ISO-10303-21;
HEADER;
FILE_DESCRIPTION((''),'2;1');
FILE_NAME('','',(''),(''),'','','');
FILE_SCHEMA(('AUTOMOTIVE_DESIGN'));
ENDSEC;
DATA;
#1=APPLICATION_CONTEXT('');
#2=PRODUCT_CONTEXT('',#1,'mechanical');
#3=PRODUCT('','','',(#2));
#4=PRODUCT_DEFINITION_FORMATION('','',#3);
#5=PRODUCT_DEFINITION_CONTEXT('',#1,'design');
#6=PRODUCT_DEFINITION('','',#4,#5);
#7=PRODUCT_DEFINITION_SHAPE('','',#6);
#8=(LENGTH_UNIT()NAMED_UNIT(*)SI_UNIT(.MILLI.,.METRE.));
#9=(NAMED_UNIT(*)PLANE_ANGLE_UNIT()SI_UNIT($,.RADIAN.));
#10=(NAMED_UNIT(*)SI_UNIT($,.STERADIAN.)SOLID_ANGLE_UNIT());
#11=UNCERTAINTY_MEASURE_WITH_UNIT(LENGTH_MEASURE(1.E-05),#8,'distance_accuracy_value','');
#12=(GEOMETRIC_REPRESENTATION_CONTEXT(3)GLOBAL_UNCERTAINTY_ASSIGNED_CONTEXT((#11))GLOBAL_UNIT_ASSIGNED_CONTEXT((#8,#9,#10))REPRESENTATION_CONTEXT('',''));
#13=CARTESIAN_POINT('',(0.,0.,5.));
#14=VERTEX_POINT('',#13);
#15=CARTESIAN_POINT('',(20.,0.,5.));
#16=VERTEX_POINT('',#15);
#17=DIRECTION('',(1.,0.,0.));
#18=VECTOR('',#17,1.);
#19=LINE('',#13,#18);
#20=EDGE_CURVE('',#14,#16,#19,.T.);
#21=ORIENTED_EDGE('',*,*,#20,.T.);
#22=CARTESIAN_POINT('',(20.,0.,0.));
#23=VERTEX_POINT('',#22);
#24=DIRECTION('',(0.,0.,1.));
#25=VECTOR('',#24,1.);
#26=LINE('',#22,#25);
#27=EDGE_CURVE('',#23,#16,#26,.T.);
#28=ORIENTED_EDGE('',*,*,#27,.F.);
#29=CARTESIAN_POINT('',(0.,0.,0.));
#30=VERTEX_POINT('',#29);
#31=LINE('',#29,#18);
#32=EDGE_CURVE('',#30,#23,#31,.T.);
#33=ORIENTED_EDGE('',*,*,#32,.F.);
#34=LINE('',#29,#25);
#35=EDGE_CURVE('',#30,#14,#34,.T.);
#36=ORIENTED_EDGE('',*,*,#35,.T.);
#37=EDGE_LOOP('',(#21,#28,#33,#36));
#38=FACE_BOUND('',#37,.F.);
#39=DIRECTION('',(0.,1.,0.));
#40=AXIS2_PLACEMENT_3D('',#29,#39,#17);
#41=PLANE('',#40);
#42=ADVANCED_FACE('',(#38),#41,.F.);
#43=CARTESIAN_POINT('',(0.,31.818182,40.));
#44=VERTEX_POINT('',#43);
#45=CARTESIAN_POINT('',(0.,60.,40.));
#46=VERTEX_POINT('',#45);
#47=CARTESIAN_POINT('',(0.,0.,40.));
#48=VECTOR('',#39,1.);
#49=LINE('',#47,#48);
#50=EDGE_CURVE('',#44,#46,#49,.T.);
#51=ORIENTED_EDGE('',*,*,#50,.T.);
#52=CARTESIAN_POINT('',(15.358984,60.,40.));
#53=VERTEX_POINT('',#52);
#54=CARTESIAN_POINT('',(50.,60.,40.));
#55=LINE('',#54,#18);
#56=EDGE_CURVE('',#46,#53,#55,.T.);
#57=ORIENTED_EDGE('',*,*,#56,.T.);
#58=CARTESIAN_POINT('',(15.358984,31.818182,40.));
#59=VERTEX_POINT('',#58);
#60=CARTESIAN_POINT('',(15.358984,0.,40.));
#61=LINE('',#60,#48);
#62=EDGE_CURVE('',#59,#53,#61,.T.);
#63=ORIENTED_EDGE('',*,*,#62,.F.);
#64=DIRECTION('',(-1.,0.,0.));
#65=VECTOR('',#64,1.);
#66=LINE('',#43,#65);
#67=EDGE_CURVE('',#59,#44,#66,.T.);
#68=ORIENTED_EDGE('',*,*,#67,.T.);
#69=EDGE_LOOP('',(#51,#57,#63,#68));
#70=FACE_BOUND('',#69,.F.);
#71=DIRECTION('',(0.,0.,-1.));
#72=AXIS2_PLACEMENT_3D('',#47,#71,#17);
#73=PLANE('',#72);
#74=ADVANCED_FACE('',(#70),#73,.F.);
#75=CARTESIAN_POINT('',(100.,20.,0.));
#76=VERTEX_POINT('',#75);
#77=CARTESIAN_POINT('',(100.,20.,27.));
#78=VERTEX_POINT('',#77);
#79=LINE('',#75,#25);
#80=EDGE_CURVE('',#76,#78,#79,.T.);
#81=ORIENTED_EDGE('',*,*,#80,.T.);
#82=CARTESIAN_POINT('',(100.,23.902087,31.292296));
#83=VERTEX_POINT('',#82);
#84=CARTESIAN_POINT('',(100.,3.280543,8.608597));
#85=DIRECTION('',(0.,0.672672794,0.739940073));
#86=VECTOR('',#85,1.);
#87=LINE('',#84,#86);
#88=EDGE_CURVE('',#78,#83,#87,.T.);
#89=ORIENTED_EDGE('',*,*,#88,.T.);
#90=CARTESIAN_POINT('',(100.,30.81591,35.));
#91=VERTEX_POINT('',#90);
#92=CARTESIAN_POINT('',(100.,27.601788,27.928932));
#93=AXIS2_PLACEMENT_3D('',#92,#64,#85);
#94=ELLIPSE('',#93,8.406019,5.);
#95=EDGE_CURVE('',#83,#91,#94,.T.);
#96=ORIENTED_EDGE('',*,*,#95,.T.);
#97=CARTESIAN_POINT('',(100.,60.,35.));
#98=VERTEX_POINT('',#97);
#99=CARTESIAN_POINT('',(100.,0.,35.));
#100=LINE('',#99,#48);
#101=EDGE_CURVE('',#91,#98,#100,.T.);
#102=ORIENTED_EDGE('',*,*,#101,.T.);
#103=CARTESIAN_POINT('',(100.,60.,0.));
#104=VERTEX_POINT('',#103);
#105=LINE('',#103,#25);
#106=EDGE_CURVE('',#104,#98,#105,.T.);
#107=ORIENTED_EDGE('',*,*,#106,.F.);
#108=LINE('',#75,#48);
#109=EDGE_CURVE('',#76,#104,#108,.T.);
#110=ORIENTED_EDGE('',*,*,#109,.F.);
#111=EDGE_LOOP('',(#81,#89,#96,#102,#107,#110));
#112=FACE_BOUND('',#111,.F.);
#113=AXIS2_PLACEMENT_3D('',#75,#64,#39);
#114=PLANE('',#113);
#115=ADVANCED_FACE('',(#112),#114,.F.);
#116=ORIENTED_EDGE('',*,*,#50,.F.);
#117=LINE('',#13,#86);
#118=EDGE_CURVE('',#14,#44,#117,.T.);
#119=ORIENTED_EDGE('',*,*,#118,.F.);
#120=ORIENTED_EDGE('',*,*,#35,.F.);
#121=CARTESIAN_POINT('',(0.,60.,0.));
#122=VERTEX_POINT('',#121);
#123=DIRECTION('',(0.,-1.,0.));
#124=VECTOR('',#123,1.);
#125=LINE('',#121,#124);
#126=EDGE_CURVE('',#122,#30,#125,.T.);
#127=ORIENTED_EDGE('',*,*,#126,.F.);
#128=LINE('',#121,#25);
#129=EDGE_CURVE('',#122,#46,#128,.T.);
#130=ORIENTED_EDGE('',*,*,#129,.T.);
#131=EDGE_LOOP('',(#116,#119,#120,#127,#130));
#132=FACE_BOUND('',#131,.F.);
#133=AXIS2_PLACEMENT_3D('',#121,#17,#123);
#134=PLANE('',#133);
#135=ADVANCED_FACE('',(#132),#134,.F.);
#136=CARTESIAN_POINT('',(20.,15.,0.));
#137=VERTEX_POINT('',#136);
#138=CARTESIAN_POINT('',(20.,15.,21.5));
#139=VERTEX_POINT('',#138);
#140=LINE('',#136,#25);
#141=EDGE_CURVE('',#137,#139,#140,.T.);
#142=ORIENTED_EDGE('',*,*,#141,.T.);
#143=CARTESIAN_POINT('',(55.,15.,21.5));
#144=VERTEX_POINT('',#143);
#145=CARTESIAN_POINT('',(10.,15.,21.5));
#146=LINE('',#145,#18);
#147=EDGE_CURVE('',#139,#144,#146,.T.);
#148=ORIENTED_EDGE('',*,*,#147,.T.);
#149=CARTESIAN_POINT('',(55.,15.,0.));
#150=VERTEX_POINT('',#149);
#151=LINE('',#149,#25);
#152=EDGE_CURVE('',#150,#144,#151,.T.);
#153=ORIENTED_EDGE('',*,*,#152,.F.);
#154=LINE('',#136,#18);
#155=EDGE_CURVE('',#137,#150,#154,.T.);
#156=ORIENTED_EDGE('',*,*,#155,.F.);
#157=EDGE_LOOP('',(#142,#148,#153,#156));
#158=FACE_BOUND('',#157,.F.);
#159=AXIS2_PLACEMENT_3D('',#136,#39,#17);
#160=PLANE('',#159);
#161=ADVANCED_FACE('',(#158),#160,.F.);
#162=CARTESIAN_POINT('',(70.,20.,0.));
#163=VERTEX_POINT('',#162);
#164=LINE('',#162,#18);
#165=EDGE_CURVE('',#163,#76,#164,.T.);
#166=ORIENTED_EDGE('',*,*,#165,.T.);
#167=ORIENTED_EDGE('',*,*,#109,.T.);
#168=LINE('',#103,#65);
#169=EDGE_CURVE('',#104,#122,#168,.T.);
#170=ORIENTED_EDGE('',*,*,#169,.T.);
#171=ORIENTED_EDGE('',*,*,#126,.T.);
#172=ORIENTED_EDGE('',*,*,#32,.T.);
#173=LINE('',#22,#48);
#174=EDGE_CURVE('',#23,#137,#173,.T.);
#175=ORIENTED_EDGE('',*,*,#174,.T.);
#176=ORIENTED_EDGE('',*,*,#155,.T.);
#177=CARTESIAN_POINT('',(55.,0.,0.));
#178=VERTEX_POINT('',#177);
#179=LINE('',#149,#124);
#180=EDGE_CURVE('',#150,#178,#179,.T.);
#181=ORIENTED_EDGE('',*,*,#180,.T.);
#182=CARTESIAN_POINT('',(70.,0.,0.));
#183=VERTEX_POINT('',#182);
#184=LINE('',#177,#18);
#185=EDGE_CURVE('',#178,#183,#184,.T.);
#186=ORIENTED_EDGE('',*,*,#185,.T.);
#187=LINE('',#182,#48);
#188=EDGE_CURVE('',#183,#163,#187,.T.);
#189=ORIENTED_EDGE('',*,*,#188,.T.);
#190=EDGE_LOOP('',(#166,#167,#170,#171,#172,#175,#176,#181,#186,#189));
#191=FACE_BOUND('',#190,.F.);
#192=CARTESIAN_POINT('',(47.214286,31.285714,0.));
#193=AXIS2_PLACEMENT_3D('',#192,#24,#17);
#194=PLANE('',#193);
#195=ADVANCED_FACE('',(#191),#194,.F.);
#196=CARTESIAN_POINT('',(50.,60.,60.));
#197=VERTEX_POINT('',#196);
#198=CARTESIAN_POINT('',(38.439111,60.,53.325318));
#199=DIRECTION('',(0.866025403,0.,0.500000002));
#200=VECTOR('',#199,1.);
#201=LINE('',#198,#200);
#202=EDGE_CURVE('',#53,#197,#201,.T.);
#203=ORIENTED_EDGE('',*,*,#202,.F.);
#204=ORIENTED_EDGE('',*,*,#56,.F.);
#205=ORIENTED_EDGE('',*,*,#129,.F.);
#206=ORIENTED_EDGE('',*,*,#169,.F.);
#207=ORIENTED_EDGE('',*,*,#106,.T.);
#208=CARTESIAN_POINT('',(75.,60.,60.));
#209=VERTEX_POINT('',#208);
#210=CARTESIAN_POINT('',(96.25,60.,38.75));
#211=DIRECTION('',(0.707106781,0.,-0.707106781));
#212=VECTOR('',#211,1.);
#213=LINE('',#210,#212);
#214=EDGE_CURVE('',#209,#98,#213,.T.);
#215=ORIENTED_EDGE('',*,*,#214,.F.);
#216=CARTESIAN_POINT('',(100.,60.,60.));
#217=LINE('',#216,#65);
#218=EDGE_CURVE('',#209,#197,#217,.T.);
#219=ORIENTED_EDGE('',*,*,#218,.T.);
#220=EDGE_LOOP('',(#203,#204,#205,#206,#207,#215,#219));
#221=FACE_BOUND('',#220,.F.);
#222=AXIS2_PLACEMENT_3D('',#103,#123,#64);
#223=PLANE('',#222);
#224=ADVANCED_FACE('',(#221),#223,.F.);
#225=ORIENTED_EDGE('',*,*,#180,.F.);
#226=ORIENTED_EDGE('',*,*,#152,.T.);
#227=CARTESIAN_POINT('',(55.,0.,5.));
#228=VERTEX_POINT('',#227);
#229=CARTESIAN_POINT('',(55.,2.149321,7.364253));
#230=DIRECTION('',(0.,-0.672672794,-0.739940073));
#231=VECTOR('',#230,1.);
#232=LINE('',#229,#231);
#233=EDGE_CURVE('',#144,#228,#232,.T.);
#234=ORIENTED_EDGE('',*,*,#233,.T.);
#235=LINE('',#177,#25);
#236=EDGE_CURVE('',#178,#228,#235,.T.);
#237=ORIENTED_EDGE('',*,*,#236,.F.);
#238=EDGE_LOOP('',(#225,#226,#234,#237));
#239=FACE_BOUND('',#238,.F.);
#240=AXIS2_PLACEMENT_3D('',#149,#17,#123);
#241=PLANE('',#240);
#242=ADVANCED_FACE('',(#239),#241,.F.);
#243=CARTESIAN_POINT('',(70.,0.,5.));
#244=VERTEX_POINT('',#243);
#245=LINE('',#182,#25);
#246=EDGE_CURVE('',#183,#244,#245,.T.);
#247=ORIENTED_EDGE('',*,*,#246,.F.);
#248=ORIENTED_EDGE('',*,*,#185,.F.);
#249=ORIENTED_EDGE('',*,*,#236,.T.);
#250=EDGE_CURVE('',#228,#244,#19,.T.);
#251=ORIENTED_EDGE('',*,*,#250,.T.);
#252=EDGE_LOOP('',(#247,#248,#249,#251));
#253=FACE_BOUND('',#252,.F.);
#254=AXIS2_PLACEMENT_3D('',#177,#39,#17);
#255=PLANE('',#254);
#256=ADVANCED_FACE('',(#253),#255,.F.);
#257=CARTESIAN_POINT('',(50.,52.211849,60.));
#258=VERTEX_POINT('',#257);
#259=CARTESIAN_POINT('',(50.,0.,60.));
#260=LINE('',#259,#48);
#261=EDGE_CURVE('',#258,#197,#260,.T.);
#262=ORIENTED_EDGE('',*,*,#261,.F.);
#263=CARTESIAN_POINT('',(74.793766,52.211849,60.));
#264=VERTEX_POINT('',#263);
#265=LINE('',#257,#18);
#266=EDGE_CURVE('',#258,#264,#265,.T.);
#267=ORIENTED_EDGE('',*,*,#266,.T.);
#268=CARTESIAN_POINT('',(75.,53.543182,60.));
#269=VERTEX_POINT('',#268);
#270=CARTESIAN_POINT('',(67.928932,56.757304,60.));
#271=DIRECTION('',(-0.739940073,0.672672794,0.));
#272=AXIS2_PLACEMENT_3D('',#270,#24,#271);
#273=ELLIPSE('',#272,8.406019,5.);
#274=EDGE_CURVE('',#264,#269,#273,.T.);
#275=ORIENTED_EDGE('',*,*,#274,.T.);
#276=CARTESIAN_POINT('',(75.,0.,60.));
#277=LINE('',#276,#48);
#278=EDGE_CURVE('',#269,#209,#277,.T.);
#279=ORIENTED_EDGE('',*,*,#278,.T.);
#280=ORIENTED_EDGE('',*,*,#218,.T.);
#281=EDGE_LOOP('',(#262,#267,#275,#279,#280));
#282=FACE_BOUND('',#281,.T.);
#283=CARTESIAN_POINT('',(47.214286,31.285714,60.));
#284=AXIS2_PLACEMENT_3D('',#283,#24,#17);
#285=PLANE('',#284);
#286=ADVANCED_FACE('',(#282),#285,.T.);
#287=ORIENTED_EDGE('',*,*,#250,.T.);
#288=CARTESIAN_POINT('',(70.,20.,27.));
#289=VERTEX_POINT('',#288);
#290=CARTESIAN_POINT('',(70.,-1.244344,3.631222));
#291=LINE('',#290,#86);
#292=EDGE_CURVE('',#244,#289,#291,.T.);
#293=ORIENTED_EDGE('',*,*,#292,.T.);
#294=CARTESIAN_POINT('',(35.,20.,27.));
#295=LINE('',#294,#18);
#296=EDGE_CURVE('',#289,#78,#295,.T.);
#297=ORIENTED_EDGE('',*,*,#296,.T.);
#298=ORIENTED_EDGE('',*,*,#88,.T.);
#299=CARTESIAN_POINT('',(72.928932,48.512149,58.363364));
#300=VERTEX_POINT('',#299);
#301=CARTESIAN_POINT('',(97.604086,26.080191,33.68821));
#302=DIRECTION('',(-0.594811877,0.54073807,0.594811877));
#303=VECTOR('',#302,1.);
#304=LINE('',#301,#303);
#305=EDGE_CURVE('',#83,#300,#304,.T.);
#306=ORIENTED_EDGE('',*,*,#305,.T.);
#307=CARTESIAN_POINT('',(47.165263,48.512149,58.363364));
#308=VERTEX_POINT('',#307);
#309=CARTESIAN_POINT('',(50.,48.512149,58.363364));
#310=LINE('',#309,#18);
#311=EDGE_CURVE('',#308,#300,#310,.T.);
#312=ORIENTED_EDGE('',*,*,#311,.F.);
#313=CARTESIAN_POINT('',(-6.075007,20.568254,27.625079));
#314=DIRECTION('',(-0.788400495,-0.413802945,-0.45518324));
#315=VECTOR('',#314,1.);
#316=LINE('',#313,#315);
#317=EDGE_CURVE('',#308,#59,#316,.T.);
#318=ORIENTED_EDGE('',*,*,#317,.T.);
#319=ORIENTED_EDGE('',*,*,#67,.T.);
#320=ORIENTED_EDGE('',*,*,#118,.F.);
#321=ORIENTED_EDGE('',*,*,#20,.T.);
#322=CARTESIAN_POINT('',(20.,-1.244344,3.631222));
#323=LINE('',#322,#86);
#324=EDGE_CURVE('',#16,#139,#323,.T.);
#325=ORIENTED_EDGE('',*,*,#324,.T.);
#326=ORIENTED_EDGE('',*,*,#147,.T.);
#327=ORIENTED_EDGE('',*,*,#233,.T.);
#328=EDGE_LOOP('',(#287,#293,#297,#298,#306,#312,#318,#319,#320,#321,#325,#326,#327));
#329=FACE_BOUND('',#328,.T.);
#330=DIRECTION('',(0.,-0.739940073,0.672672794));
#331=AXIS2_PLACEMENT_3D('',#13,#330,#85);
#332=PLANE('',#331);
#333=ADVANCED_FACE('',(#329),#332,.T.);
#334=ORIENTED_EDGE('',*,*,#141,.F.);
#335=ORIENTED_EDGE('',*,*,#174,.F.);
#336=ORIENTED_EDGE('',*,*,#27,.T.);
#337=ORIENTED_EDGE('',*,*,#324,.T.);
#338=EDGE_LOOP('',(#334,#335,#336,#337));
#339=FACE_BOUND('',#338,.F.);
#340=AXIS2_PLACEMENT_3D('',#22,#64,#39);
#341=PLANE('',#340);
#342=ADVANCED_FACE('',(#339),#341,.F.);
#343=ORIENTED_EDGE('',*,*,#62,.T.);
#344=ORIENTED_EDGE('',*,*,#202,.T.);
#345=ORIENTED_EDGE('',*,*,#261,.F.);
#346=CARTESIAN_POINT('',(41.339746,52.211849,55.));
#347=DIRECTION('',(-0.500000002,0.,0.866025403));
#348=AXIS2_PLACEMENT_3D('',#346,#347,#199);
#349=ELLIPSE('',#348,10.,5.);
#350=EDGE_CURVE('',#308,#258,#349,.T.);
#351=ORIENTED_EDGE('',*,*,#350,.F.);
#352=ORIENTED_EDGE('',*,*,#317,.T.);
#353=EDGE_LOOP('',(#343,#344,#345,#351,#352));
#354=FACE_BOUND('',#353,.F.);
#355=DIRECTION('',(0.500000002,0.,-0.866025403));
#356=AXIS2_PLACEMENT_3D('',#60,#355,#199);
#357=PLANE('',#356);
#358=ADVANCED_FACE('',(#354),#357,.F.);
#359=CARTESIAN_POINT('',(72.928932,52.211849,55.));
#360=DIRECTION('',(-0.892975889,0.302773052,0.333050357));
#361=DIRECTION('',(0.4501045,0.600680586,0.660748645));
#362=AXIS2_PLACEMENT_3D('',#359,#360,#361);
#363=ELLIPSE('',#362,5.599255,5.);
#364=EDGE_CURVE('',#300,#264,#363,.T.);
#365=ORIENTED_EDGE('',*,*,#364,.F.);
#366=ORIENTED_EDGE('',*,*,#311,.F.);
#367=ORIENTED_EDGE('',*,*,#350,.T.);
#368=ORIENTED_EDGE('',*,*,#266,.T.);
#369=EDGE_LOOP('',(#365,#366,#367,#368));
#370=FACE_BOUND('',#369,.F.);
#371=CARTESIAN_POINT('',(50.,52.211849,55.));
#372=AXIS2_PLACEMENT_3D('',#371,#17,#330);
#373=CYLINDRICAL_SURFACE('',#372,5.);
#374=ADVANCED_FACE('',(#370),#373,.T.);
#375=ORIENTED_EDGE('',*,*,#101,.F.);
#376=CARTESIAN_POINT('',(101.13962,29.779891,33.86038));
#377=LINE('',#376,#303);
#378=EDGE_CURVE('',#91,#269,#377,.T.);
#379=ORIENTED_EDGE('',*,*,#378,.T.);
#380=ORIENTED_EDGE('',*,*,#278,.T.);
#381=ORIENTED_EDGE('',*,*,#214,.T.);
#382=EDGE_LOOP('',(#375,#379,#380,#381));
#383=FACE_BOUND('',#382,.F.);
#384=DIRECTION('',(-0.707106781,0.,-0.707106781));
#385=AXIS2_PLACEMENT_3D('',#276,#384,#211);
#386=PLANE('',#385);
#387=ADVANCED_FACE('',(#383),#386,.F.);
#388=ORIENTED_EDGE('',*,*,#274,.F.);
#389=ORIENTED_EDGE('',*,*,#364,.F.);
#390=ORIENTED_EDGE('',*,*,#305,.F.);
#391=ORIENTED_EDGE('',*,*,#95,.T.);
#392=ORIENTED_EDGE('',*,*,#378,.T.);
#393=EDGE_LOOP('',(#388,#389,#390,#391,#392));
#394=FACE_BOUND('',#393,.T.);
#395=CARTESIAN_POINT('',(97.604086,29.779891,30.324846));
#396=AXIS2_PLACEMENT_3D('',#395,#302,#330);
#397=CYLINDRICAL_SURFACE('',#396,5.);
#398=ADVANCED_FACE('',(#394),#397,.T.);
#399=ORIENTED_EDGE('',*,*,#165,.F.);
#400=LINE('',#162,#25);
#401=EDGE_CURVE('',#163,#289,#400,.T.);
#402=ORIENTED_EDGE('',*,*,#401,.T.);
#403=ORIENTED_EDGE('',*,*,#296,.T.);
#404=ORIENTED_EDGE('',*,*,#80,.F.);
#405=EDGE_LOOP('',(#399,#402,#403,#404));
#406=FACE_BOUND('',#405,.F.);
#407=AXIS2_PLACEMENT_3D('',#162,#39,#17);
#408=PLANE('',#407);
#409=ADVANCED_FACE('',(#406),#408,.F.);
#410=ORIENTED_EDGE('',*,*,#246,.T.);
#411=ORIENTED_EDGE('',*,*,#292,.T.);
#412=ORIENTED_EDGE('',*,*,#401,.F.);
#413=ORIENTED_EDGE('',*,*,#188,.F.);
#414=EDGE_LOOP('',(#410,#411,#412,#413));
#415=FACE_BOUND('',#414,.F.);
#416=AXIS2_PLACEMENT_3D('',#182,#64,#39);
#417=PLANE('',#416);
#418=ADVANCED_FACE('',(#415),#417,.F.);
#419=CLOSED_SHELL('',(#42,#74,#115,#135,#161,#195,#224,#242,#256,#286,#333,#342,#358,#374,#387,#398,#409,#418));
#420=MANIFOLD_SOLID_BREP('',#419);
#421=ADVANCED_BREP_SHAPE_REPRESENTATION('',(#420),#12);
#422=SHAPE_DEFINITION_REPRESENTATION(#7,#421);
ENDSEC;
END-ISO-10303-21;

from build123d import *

# Parameters (mm, degrees)
F1_DEPTH = 60
F3_DEPTH = 60.001
F5_DEPTH = 100.001
F6_R     = 5


with BuildPart() as f1:
    # F0 (on Top) → F1 (new body)
    with BuildSketch(Plane.XY):
        Polygon((0, 60), (0, 0), (20, 0), (20, 15), (55, 15), (55, 0), (70, 0), (70, 20), (100, 20), (100, 60), align=None)
    extrude(amount=F1_DEPTH)

    # F2 (on Front) → F3 (cut, through all)
    with BuildSketch(Plane.XZ):
        Polygon((15.358984, 40), (50, 60), (0, 60), (0, 40), align=None)
        Polygon((100, 60), (75, 60), (100, 35), align=None)
    extrude(amount=-F3_DEPTH, mode=Mode.SUBTRACT)

    # F4 (on Right) → F5 (cut, through all)
    with BuildSketch(Plane.YZ):
        Polygon((0, 5), (50, 60), (0, 60), align=None)
    extrude(amount=F5_DEPTH, mode=Mode.SUBTRACT)

    # F6
    f6_edges = [f1.edges().sort_by_distance(p)[0] for p in [
        (62.5, 50, 60),
        (87.5, 38.636364, 47.5),
    ]]
    fillet(f6_edges, radius=F6_R)


solid = f1.part
